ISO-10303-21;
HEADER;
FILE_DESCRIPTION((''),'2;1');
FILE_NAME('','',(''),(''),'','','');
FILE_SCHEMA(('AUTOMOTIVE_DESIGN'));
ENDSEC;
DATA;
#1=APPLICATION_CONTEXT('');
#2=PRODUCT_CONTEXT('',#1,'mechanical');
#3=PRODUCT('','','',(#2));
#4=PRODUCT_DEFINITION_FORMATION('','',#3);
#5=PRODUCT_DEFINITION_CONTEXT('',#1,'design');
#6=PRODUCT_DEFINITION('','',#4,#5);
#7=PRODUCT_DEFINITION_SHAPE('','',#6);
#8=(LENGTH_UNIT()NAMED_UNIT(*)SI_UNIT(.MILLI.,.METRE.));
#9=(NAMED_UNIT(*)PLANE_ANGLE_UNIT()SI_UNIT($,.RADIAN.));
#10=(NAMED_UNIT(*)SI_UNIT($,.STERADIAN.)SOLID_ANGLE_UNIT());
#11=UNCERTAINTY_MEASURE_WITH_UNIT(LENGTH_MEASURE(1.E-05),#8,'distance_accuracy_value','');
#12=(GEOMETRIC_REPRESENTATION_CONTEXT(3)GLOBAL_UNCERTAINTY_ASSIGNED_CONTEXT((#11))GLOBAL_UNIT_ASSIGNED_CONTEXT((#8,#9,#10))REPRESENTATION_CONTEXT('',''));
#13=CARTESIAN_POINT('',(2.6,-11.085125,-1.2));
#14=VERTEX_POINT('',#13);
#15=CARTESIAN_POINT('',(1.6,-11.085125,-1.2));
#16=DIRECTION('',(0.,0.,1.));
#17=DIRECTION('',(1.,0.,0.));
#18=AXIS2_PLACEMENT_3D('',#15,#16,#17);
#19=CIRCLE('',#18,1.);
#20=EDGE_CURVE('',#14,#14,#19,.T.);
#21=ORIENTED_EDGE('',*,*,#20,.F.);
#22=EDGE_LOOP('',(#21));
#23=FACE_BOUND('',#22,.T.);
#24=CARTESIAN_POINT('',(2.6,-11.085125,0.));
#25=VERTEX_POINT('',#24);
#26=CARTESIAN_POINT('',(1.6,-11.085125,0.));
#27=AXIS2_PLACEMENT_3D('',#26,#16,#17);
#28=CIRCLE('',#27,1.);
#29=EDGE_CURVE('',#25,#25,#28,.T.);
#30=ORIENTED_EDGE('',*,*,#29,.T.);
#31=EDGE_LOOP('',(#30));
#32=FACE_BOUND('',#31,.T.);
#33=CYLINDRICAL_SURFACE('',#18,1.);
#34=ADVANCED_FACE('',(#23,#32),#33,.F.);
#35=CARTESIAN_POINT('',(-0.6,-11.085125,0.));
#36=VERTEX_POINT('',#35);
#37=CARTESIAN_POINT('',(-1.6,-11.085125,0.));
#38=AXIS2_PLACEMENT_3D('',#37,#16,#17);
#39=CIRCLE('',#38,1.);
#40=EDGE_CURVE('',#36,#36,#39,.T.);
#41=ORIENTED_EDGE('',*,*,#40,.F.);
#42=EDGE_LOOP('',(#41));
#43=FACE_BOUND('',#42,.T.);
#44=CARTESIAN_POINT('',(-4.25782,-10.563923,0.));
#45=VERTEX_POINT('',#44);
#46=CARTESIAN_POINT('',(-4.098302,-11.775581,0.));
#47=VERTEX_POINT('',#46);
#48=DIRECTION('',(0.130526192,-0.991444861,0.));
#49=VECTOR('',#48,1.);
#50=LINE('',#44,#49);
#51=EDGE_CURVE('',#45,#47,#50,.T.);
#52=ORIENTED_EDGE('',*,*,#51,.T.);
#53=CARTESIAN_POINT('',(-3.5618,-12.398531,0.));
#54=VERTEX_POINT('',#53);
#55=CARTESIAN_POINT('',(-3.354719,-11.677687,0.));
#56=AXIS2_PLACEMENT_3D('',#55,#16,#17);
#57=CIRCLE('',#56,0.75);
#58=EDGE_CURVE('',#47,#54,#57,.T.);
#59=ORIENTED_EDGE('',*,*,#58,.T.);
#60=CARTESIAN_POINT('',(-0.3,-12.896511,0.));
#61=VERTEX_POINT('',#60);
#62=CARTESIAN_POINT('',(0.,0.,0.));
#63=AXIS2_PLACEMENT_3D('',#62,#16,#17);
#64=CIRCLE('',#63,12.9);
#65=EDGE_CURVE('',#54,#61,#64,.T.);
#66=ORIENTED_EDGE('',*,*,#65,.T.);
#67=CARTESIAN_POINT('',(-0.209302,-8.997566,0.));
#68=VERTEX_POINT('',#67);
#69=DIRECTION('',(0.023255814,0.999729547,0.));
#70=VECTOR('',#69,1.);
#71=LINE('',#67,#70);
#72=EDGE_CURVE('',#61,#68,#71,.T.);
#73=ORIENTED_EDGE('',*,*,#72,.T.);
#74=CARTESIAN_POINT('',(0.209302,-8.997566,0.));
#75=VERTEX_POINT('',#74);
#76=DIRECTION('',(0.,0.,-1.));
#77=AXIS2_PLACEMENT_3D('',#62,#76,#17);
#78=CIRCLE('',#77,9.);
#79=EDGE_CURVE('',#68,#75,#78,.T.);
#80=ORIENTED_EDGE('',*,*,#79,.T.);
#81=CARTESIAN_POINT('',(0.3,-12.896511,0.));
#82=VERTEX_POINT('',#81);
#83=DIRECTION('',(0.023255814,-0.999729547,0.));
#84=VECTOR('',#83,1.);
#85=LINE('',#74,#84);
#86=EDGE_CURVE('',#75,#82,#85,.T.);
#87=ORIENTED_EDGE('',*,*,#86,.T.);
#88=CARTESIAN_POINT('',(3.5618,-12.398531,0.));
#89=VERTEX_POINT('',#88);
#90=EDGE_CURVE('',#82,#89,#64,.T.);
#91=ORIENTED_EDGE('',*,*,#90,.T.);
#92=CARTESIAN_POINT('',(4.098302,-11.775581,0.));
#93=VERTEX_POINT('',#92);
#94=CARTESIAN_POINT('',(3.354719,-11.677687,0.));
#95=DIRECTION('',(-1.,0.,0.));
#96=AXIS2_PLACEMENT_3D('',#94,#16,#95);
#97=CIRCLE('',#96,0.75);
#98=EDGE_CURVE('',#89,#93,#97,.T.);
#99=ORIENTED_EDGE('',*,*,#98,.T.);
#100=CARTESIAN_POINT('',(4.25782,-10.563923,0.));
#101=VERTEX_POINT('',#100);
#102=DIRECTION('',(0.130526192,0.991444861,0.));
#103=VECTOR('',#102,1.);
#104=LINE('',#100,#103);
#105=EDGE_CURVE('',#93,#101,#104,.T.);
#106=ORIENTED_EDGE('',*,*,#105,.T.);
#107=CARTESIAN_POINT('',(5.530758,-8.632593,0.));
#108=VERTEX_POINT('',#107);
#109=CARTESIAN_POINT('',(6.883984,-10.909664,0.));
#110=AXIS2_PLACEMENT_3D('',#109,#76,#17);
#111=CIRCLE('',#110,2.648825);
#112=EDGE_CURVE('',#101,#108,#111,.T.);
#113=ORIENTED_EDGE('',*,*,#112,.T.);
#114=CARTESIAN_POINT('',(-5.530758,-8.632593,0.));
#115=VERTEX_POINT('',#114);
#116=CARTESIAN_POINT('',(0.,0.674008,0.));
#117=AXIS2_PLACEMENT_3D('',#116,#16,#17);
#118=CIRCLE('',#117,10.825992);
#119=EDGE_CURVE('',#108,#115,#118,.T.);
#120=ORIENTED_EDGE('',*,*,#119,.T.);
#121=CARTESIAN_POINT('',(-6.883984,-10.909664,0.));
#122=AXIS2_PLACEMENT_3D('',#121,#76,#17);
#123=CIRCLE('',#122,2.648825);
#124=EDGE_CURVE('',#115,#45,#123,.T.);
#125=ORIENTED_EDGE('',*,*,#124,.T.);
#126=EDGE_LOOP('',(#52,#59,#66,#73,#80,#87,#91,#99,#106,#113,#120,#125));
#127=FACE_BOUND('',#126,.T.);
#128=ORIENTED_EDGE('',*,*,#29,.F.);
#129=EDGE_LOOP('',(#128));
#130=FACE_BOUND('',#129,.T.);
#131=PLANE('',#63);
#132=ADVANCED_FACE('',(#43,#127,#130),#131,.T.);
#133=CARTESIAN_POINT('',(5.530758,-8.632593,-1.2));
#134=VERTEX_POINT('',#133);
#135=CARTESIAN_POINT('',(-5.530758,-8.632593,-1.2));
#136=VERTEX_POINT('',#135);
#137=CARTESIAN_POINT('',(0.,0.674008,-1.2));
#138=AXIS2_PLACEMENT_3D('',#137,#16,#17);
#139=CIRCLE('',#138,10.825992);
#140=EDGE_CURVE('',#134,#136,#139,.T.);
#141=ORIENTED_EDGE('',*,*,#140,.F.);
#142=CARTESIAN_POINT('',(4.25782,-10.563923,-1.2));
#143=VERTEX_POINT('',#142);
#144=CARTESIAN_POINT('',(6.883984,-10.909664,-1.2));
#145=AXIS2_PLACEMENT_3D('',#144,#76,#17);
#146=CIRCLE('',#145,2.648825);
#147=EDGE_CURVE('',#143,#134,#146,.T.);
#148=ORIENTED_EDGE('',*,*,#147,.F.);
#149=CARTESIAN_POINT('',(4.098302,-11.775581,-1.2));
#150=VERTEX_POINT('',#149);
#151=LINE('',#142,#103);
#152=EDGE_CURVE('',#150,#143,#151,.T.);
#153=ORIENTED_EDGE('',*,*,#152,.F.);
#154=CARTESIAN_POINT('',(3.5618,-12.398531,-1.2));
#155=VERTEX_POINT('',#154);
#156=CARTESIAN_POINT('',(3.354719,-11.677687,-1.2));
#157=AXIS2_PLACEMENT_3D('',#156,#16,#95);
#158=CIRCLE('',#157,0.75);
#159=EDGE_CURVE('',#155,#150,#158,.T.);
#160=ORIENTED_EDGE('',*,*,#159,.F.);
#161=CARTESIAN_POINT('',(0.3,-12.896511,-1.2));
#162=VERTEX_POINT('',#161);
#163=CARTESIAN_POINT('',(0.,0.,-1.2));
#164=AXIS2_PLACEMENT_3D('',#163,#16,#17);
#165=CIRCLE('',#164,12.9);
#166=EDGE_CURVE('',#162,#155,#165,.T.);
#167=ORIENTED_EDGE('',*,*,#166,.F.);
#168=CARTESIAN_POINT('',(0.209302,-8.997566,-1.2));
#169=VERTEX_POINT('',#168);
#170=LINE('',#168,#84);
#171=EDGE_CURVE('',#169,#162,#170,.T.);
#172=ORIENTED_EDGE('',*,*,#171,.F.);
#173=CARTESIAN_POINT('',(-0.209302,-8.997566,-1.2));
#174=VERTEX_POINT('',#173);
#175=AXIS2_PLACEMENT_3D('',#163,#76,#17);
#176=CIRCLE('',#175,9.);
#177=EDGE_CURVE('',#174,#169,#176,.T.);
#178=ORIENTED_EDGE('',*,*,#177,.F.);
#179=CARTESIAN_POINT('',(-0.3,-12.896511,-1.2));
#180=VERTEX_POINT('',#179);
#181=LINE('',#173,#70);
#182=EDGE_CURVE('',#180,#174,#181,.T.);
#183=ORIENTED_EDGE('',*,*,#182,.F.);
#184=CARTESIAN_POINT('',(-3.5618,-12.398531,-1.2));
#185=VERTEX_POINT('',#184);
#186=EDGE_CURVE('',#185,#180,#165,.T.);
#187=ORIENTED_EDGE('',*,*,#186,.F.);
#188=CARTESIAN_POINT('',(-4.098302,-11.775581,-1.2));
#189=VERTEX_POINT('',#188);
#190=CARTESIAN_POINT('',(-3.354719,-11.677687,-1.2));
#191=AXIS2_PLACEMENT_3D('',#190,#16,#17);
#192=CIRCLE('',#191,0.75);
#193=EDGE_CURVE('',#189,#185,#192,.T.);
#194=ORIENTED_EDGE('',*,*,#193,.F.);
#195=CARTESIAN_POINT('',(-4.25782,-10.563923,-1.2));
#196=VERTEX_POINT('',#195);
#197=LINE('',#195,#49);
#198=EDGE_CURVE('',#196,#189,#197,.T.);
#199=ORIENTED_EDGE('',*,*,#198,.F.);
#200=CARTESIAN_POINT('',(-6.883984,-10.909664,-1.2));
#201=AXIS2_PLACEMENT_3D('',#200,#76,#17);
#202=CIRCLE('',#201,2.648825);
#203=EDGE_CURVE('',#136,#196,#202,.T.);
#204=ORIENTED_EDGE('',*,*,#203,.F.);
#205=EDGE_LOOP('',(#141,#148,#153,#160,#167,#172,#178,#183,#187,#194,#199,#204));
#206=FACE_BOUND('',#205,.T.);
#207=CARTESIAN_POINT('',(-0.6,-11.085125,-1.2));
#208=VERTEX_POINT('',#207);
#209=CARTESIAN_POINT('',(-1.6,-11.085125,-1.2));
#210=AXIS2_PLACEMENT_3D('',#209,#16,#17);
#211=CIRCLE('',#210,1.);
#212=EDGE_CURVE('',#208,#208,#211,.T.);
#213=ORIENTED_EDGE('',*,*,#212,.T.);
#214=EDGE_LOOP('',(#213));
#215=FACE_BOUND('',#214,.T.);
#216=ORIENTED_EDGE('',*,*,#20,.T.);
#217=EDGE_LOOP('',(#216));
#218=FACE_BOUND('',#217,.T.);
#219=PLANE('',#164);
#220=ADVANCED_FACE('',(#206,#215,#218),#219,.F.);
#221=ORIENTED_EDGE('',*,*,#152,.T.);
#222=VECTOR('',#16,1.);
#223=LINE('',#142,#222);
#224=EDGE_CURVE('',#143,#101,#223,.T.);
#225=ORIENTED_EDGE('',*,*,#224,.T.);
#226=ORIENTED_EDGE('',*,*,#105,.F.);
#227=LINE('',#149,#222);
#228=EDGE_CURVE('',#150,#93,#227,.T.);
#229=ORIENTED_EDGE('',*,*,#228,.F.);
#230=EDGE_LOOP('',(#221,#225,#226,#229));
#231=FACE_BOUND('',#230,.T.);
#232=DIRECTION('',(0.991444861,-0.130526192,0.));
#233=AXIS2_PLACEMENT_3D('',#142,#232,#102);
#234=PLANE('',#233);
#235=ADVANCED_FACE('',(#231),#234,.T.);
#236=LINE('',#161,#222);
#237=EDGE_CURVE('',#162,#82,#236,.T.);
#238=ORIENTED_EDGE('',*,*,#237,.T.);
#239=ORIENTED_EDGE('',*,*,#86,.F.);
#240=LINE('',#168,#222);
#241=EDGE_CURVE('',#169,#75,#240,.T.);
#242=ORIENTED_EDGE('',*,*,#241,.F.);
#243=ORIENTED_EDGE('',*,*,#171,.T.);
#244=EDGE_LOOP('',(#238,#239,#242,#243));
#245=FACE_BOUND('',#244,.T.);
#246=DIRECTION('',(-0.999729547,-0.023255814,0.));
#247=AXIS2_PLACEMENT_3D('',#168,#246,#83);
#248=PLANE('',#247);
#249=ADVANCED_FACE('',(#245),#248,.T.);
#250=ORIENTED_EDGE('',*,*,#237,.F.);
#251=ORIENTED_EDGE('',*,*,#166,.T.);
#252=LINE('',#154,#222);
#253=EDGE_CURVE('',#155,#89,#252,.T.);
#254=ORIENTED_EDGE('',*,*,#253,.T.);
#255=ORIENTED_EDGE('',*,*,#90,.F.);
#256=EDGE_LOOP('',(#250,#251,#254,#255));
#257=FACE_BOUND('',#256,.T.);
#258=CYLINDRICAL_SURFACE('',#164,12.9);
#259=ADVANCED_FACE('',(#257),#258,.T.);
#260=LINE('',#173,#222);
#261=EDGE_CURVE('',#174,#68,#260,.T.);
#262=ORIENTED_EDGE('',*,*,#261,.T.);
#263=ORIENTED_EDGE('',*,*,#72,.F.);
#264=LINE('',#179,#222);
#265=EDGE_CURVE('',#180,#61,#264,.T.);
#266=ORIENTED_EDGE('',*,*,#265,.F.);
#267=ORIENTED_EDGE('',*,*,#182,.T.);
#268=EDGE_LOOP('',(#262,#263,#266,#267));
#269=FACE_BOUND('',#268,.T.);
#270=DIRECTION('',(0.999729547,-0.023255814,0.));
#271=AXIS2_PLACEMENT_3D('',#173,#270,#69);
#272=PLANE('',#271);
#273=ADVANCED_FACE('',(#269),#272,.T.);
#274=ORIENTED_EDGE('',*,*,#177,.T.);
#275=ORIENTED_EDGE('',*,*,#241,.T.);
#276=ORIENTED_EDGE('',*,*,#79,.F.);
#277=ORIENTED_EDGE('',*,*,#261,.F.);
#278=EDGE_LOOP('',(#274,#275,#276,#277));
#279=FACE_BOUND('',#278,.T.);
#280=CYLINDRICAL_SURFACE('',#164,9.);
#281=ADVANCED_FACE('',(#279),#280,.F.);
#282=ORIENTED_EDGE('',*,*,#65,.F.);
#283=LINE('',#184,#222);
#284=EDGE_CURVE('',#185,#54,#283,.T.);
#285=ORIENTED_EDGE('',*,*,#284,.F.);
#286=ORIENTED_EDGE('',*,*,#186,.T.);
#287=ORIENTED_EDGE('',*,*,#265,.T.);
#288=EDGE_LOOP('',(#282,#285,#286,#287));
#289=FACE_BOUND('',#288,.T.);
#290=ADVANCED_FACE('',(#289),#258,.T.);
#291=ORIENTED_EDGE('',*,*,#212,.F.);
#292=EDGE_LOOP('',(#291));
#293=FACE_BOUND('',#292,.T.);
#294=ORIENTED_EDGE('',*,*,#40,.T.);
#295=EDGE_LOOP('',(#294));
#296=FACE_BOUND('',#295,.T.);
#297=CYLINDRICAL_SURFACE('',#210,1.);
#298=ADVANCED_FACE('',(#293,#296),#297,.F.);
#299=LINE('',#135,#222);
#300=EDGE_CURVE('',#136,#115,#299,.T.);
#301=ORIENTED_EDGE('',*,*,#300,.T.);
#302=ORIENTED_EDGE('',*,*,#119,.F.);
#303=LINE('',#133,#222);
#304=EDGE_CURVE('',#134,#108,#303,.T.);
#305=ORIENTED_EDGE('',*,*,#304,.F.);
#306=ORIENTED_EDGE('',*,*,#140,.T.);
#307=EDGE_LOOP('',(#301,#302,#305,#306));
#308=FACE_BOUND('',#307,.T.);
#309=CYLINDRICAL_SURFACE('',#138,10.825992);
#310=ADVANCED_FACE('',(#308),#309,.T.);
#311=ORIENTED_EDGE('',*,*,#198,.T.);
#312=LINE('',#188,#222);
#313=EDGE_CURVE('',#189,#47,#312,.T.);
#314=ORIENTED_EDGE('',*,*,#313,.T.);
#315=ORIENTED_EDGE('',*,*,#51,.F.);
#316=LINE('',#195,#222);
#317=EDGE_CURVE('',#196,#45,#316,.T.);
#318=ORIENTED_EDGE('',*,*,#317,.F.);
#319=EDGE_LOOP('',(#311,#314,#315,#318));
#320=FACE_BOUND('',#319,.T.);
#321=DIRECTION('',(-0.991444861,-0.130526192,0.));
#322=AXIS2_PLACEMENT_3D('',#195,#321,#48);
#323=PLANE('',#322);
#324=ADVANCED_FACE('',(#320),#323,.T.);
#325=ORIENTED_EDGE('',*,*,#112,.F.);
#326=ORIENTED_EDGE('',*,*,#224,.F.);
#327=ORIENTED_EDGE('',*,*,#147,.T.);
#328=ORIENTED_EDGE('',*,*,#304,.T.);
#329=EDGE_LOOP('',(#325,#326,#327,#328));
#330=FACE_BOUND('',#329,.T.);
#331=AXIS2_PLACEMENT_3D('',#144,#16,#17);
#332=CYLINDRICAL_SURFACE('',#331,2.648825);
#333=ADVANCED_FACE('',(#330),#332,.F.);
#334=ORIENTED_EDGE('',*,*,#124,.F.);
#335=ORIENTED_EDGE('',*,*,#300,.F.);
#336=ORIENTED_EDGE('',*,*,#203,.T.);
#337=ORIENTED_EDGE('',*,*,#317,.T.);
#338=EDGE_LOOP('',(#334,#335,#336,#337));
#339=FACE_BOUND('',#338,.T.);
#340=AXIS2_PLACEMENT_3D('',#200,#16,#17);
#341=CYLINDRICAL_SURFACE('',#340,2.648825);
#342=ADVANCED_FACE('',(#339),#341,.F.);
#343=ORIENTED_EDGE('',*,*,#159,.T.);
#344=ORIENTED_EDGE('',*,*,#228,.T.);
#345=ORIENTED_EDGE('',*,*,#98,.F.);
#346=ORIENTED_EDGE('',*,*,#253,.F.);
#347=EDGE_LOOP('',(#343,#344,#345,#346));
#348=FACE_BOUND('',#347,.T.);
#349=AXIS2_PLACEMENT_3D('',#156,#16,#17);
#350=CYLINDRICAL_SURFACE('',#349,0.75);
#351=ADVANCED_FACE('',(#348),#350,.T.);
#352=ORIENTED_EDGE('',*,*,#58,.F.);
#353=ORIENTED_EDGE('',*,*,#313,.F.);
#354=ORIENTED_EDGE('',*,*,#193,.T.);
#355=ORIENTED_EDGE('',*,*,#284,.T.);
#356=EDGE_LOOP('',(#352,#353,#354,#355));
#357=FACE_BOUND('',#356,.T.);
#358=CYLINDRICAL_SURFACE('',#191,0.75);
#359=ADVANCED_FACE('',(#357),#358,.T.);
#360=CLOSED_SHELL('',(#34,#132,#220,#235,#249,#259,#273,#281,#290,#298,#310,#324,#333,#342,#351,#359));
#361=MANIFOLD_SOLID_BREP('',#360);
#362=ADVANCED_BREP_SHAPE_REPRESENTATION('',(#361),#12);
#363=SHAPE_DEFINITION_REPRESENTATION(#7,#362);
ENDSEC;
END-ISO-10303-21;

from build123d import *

# Parameters (mm, degrees)
BODYSKE_R  = 1
BODY_DEPTH = 1.2


with BuildPart() as part:
    # BodySke → Body (new body)
    with BuildSketch(Plane.XY):
        with BuildLine():
            Line((0.209302326, -8.997565923), (0.3, -12.896511156))
            ThreePointArc((0.3, -12.896511156), (1.946887524, -12.752240155), (3.561800129, -12.398531358))
            ThreePointArc((3.561800129, -12.398531358), (3.923012442, -12.167117051), (4.098302372, -11.775581156))
            Line((4.098302372, -11.775581156), (4.257820206, -10.563922915))
            ThreePointArc((4.257820206, -10.563922915), (4.672334321, -9.451967559), (5.530758278, -8.632592812))
            ThreePointArc((5.530758278, -8.632592812), (0, 11.5), (-5.530758278, -8.632592812))
            ThreePointArc((-5.530758278, -8.632592812), (-4.672334321, -9.451967559), (-4.257820206, -10.563922915))
            Line((-4.257820206, -10.563922915), (-4.098302372, -11.775581156))
            ThreePointArc((-4.098302372, -11.775581156), (-3.923012442, -12.167117051), (-3.561800129, -12.398531358))
            ThreePointArc((-3.561800129, -12.398531358), (-1.946887524, -12.752240155), (-0.3, -12.896511156))
            Line((-0.3, -12.896511156), (-0.209302326, -8.997565923))
            ThreePointArc((-0.209302326, -8.997565923), (0, 9), (0.209302326, -8.997565923))
        make_face()
        with Locations((1.6, -11.085125168)):
            Circle(BODYSKE_R, mode=Mode.SUBTRACT)
        with Locations((-1.6, -11.085125168)):
            Circle(BODYSKE_R, mode=Mode.SUBTRACT)
    extrude(amount=-BODY_DEPTH)


solid = part.part
